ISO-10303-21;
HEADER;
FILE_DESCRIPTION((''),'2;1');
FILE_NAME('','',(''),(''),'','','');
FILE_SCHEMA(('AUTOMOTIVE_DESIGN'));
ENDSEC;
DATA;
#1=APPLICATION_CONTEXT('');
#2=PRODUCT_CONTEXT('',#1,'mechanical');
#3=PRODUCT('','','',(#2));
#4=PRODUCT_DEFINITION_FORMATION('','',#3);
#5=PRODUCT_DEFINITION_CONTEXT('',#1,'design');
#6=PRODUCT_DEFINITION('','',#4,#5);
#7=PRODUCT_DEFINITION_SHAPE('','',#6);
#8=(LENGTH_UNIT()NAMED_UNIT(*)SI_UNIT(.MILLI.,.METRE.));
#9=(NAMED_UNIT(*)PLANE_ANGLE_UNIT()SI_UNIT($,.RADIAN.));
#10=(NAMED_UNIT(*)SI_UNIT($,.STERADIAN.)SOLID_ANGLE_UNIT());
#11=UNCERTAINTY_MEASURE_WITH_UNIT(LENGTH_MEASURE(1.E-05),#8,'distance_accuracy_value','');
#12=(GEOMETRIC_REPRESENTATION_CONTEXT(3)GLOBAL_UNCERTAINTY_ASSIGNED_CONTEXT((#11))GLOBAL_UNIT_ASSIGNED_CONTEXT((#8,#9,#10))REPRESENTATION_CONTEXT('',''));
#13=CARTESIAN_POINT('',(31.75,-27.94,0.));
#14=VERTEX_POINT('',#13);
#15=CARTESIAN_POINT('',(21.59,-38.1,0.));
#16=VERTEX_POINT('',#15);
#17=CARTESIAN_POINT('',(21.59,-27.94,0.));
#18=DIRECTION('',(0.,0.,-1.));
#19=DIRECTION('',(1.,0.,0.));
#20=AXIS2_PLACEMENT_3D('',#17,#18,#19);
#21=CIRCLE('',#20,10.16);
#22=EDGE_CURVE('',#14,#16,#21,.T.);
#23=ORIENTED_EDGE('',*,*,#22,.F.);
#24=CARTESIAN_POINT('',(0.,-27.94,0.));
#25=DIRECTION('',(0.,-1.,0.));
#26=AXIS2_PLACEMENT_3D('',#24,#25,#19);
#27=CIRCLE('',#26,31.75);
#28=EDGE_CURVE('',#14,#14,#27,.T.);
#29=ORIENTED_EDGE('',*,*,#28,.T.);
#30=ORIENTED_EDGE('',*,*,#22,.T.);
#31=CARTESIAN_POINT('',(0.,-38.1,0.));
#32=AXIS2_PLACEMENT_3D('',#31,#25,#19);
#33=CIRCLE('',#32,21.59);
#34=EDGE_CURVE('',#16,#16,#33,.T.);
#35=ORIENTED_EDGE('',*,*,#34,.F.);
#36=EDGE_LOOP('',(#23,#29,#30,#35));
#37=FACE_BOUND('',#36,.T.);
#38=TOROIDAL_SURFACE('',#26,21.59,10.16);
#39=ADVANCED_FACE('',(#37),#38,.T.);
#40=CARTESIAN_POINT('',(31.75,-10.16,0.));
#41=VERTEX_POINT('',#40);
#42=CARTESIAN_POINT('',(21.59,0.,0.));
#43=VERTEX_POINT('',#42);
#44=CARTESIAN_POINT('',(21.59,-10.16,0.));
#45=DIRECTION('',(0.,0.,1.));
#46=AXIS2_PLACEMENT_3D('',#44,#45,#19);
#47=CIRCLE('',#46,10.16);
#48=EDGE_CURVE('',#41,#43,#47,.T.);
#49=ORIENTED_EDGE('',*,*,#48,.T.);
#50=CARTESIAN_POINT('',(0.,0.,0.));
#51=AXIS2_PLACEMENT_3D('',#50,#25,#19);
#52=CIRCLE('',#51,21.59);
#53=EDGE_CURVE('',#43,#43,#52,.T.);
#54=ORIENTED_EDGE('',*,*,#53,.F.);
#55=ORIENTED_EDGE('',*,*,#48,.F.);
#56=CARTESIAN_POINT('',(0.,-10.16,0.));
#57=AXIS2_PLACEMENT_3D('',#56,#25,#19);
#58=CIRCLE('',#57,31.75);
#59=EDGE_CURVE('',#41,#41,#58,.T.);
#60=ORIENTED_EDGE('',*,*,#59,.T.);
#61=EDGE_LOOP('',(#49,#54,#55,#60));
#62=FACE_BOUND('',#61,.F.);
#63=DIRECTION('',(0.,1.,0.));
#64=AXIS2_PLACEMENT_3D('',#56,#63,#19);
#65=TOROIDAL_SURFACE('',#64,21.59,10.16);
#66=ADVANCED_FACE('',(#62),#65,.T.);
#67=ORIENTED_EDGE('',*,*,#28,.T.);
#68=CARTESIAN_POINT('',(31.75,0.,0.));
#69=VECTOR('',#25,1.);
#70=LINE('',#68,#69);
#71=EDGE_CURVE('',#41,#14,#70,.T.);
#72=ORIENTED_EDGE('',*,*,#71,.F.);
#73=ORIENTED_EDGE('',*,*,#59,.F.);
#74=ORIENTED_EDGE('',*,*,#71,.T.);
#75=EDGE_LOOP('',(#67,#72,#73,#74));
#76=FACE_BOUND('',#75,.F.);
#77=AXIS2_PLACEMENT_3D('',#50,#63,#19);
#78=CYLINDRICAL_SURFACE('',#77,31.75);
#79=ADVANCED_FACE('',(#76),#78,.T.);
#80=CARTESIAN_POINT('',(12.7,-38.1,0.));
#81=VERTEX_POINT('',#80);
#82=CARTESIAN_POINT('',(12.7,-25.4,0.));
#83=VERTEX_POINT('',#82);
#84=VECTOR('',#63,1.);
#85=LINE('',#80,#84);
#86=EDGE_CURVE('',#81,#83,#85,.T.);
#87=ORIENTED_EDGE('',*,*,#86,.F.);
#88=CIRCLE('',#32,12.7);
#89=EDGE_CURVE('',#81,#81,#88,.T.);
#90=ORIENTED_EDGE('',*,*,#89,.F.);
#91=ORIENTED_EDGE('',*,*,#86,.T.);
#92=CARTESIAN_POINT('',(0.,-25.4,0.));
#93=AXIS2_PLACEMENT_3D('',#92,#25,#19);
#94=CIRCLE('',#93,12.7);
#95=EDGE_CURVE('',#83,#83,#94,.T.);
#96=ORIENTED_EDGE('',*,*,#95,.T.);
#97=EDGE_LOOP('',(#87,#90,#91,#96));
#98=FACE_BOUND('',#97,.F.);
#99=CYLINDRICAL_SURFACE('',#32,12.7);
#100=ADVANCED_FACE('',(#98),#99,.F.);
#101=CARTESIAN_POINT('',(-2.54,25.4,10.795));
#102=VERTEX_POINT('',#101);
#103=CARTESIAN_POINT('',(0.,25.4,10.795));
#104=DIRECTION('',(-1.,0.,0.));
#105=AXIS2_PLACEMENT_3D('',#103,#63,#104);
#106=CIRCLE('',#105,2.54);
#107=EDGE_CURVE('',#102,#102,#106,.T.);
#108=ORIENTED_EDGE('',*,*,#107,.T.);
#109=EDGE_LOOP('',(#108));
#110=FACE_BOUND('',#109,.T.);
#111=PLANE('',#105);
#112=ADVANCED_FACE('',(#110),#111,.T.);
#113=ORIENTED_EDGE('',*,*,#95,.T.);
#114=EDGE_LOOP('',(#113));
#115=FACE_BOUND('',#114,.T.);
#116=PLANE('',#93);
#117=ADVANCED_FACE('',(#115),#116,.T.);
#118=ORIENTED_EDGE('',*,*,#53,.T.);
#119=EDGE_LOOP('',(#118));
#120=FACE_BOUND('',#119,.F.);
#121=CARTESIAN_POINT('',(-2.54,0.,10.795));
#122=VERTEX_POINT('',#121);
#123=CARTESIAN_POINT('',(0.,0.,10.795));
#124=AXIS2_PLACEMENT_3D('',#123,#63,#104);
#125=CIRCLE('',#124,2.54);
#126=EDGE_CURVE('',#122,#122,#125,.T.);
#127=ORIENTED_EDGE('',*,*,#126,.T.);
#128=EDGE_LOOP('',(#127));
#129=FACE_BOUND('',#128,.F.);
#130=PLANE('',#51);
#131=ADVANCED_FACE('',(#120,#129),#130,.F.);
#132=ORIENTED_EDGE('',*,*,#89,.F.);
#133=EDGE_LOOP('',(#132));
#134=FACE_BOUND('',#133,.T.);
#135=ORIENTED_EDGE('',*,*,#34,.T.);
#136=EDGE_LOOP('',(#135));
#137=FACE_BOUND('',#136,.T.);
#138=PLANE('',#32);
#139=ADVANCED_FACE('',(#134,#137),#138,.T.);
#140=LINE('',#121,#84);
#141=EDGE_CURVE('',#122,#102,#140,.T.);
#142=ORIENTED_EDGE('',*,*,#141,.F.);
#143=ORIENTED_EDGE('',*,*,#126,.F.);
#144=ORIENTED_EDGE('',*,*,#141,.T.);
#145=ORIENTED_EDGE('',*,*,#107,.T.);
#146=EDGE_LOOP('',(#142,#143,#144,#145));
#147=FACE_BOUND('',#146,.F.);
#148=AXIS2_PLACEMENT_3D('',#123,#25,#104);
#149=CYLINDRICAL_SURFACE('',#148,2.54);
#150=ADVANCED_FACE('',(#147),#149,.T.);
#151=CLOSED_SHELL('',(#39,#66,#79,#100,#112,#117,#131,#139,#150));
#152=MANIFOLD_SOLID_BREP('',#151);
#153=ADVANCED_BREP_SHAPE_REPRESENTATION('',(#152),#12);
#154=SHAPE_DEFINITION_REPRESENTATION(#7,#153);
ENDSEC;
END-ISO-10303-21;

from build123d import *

# Parameters (mm, degrees)
F0_R      = 31.75
F1_DEPTH  = 38.1
F2_R      = 10.16
F1_FACE_R = 21.59
F3_DEPTH  = 12.7
F4_R      = 12.7
F5_DEPTH  = 12.7
F6_R      = 2.54
F7_DEPTH  = 25.4


with BuildPart() as f1:
    # F0 (on Front) → F1 (new body)
    with BuildSketch(Plane.XZ):
        Circle(F0_R)
    extrude(amount=F1_DEPTH)

    # F2
    f2_edges = [f1.edges().sort_by_distance(p)[0] for p in [
        (-31.75, -38.1, 0),
        (-31.75, 0, 0),
    ]]
    fillet(f2_edges, radius=F2_R)

    # F1_face (on face) → F3 (join)
    with BuildSketch(Plane(origin=(0, 0, 0), x_dir=(1, 0, 0), z_dir=(0, 1, 0))):
        Circle(F1_FACE_R)
    extrude(amount=-F3_DEPTH)

    # F4 (on face) → F5 (cut)
    with BuildSketch(Plane.XZ.offset(38.1)):
        Circle(F4_R)
    extrude(amount=-F5_DEPTH, mode=Mode.SUBTRACT)

    # F6 (on face) → F7 (join)
    with BuildSketch(Plane(origin=(0, 0, 0), x_dir=(-1, 0, 0), z_dir=(0, 1, 0))):
        with Locations((0, 10.795)):
            Circle(F6_R)
    extrude(amount=F7_DEPTH)


solid = f1.part
